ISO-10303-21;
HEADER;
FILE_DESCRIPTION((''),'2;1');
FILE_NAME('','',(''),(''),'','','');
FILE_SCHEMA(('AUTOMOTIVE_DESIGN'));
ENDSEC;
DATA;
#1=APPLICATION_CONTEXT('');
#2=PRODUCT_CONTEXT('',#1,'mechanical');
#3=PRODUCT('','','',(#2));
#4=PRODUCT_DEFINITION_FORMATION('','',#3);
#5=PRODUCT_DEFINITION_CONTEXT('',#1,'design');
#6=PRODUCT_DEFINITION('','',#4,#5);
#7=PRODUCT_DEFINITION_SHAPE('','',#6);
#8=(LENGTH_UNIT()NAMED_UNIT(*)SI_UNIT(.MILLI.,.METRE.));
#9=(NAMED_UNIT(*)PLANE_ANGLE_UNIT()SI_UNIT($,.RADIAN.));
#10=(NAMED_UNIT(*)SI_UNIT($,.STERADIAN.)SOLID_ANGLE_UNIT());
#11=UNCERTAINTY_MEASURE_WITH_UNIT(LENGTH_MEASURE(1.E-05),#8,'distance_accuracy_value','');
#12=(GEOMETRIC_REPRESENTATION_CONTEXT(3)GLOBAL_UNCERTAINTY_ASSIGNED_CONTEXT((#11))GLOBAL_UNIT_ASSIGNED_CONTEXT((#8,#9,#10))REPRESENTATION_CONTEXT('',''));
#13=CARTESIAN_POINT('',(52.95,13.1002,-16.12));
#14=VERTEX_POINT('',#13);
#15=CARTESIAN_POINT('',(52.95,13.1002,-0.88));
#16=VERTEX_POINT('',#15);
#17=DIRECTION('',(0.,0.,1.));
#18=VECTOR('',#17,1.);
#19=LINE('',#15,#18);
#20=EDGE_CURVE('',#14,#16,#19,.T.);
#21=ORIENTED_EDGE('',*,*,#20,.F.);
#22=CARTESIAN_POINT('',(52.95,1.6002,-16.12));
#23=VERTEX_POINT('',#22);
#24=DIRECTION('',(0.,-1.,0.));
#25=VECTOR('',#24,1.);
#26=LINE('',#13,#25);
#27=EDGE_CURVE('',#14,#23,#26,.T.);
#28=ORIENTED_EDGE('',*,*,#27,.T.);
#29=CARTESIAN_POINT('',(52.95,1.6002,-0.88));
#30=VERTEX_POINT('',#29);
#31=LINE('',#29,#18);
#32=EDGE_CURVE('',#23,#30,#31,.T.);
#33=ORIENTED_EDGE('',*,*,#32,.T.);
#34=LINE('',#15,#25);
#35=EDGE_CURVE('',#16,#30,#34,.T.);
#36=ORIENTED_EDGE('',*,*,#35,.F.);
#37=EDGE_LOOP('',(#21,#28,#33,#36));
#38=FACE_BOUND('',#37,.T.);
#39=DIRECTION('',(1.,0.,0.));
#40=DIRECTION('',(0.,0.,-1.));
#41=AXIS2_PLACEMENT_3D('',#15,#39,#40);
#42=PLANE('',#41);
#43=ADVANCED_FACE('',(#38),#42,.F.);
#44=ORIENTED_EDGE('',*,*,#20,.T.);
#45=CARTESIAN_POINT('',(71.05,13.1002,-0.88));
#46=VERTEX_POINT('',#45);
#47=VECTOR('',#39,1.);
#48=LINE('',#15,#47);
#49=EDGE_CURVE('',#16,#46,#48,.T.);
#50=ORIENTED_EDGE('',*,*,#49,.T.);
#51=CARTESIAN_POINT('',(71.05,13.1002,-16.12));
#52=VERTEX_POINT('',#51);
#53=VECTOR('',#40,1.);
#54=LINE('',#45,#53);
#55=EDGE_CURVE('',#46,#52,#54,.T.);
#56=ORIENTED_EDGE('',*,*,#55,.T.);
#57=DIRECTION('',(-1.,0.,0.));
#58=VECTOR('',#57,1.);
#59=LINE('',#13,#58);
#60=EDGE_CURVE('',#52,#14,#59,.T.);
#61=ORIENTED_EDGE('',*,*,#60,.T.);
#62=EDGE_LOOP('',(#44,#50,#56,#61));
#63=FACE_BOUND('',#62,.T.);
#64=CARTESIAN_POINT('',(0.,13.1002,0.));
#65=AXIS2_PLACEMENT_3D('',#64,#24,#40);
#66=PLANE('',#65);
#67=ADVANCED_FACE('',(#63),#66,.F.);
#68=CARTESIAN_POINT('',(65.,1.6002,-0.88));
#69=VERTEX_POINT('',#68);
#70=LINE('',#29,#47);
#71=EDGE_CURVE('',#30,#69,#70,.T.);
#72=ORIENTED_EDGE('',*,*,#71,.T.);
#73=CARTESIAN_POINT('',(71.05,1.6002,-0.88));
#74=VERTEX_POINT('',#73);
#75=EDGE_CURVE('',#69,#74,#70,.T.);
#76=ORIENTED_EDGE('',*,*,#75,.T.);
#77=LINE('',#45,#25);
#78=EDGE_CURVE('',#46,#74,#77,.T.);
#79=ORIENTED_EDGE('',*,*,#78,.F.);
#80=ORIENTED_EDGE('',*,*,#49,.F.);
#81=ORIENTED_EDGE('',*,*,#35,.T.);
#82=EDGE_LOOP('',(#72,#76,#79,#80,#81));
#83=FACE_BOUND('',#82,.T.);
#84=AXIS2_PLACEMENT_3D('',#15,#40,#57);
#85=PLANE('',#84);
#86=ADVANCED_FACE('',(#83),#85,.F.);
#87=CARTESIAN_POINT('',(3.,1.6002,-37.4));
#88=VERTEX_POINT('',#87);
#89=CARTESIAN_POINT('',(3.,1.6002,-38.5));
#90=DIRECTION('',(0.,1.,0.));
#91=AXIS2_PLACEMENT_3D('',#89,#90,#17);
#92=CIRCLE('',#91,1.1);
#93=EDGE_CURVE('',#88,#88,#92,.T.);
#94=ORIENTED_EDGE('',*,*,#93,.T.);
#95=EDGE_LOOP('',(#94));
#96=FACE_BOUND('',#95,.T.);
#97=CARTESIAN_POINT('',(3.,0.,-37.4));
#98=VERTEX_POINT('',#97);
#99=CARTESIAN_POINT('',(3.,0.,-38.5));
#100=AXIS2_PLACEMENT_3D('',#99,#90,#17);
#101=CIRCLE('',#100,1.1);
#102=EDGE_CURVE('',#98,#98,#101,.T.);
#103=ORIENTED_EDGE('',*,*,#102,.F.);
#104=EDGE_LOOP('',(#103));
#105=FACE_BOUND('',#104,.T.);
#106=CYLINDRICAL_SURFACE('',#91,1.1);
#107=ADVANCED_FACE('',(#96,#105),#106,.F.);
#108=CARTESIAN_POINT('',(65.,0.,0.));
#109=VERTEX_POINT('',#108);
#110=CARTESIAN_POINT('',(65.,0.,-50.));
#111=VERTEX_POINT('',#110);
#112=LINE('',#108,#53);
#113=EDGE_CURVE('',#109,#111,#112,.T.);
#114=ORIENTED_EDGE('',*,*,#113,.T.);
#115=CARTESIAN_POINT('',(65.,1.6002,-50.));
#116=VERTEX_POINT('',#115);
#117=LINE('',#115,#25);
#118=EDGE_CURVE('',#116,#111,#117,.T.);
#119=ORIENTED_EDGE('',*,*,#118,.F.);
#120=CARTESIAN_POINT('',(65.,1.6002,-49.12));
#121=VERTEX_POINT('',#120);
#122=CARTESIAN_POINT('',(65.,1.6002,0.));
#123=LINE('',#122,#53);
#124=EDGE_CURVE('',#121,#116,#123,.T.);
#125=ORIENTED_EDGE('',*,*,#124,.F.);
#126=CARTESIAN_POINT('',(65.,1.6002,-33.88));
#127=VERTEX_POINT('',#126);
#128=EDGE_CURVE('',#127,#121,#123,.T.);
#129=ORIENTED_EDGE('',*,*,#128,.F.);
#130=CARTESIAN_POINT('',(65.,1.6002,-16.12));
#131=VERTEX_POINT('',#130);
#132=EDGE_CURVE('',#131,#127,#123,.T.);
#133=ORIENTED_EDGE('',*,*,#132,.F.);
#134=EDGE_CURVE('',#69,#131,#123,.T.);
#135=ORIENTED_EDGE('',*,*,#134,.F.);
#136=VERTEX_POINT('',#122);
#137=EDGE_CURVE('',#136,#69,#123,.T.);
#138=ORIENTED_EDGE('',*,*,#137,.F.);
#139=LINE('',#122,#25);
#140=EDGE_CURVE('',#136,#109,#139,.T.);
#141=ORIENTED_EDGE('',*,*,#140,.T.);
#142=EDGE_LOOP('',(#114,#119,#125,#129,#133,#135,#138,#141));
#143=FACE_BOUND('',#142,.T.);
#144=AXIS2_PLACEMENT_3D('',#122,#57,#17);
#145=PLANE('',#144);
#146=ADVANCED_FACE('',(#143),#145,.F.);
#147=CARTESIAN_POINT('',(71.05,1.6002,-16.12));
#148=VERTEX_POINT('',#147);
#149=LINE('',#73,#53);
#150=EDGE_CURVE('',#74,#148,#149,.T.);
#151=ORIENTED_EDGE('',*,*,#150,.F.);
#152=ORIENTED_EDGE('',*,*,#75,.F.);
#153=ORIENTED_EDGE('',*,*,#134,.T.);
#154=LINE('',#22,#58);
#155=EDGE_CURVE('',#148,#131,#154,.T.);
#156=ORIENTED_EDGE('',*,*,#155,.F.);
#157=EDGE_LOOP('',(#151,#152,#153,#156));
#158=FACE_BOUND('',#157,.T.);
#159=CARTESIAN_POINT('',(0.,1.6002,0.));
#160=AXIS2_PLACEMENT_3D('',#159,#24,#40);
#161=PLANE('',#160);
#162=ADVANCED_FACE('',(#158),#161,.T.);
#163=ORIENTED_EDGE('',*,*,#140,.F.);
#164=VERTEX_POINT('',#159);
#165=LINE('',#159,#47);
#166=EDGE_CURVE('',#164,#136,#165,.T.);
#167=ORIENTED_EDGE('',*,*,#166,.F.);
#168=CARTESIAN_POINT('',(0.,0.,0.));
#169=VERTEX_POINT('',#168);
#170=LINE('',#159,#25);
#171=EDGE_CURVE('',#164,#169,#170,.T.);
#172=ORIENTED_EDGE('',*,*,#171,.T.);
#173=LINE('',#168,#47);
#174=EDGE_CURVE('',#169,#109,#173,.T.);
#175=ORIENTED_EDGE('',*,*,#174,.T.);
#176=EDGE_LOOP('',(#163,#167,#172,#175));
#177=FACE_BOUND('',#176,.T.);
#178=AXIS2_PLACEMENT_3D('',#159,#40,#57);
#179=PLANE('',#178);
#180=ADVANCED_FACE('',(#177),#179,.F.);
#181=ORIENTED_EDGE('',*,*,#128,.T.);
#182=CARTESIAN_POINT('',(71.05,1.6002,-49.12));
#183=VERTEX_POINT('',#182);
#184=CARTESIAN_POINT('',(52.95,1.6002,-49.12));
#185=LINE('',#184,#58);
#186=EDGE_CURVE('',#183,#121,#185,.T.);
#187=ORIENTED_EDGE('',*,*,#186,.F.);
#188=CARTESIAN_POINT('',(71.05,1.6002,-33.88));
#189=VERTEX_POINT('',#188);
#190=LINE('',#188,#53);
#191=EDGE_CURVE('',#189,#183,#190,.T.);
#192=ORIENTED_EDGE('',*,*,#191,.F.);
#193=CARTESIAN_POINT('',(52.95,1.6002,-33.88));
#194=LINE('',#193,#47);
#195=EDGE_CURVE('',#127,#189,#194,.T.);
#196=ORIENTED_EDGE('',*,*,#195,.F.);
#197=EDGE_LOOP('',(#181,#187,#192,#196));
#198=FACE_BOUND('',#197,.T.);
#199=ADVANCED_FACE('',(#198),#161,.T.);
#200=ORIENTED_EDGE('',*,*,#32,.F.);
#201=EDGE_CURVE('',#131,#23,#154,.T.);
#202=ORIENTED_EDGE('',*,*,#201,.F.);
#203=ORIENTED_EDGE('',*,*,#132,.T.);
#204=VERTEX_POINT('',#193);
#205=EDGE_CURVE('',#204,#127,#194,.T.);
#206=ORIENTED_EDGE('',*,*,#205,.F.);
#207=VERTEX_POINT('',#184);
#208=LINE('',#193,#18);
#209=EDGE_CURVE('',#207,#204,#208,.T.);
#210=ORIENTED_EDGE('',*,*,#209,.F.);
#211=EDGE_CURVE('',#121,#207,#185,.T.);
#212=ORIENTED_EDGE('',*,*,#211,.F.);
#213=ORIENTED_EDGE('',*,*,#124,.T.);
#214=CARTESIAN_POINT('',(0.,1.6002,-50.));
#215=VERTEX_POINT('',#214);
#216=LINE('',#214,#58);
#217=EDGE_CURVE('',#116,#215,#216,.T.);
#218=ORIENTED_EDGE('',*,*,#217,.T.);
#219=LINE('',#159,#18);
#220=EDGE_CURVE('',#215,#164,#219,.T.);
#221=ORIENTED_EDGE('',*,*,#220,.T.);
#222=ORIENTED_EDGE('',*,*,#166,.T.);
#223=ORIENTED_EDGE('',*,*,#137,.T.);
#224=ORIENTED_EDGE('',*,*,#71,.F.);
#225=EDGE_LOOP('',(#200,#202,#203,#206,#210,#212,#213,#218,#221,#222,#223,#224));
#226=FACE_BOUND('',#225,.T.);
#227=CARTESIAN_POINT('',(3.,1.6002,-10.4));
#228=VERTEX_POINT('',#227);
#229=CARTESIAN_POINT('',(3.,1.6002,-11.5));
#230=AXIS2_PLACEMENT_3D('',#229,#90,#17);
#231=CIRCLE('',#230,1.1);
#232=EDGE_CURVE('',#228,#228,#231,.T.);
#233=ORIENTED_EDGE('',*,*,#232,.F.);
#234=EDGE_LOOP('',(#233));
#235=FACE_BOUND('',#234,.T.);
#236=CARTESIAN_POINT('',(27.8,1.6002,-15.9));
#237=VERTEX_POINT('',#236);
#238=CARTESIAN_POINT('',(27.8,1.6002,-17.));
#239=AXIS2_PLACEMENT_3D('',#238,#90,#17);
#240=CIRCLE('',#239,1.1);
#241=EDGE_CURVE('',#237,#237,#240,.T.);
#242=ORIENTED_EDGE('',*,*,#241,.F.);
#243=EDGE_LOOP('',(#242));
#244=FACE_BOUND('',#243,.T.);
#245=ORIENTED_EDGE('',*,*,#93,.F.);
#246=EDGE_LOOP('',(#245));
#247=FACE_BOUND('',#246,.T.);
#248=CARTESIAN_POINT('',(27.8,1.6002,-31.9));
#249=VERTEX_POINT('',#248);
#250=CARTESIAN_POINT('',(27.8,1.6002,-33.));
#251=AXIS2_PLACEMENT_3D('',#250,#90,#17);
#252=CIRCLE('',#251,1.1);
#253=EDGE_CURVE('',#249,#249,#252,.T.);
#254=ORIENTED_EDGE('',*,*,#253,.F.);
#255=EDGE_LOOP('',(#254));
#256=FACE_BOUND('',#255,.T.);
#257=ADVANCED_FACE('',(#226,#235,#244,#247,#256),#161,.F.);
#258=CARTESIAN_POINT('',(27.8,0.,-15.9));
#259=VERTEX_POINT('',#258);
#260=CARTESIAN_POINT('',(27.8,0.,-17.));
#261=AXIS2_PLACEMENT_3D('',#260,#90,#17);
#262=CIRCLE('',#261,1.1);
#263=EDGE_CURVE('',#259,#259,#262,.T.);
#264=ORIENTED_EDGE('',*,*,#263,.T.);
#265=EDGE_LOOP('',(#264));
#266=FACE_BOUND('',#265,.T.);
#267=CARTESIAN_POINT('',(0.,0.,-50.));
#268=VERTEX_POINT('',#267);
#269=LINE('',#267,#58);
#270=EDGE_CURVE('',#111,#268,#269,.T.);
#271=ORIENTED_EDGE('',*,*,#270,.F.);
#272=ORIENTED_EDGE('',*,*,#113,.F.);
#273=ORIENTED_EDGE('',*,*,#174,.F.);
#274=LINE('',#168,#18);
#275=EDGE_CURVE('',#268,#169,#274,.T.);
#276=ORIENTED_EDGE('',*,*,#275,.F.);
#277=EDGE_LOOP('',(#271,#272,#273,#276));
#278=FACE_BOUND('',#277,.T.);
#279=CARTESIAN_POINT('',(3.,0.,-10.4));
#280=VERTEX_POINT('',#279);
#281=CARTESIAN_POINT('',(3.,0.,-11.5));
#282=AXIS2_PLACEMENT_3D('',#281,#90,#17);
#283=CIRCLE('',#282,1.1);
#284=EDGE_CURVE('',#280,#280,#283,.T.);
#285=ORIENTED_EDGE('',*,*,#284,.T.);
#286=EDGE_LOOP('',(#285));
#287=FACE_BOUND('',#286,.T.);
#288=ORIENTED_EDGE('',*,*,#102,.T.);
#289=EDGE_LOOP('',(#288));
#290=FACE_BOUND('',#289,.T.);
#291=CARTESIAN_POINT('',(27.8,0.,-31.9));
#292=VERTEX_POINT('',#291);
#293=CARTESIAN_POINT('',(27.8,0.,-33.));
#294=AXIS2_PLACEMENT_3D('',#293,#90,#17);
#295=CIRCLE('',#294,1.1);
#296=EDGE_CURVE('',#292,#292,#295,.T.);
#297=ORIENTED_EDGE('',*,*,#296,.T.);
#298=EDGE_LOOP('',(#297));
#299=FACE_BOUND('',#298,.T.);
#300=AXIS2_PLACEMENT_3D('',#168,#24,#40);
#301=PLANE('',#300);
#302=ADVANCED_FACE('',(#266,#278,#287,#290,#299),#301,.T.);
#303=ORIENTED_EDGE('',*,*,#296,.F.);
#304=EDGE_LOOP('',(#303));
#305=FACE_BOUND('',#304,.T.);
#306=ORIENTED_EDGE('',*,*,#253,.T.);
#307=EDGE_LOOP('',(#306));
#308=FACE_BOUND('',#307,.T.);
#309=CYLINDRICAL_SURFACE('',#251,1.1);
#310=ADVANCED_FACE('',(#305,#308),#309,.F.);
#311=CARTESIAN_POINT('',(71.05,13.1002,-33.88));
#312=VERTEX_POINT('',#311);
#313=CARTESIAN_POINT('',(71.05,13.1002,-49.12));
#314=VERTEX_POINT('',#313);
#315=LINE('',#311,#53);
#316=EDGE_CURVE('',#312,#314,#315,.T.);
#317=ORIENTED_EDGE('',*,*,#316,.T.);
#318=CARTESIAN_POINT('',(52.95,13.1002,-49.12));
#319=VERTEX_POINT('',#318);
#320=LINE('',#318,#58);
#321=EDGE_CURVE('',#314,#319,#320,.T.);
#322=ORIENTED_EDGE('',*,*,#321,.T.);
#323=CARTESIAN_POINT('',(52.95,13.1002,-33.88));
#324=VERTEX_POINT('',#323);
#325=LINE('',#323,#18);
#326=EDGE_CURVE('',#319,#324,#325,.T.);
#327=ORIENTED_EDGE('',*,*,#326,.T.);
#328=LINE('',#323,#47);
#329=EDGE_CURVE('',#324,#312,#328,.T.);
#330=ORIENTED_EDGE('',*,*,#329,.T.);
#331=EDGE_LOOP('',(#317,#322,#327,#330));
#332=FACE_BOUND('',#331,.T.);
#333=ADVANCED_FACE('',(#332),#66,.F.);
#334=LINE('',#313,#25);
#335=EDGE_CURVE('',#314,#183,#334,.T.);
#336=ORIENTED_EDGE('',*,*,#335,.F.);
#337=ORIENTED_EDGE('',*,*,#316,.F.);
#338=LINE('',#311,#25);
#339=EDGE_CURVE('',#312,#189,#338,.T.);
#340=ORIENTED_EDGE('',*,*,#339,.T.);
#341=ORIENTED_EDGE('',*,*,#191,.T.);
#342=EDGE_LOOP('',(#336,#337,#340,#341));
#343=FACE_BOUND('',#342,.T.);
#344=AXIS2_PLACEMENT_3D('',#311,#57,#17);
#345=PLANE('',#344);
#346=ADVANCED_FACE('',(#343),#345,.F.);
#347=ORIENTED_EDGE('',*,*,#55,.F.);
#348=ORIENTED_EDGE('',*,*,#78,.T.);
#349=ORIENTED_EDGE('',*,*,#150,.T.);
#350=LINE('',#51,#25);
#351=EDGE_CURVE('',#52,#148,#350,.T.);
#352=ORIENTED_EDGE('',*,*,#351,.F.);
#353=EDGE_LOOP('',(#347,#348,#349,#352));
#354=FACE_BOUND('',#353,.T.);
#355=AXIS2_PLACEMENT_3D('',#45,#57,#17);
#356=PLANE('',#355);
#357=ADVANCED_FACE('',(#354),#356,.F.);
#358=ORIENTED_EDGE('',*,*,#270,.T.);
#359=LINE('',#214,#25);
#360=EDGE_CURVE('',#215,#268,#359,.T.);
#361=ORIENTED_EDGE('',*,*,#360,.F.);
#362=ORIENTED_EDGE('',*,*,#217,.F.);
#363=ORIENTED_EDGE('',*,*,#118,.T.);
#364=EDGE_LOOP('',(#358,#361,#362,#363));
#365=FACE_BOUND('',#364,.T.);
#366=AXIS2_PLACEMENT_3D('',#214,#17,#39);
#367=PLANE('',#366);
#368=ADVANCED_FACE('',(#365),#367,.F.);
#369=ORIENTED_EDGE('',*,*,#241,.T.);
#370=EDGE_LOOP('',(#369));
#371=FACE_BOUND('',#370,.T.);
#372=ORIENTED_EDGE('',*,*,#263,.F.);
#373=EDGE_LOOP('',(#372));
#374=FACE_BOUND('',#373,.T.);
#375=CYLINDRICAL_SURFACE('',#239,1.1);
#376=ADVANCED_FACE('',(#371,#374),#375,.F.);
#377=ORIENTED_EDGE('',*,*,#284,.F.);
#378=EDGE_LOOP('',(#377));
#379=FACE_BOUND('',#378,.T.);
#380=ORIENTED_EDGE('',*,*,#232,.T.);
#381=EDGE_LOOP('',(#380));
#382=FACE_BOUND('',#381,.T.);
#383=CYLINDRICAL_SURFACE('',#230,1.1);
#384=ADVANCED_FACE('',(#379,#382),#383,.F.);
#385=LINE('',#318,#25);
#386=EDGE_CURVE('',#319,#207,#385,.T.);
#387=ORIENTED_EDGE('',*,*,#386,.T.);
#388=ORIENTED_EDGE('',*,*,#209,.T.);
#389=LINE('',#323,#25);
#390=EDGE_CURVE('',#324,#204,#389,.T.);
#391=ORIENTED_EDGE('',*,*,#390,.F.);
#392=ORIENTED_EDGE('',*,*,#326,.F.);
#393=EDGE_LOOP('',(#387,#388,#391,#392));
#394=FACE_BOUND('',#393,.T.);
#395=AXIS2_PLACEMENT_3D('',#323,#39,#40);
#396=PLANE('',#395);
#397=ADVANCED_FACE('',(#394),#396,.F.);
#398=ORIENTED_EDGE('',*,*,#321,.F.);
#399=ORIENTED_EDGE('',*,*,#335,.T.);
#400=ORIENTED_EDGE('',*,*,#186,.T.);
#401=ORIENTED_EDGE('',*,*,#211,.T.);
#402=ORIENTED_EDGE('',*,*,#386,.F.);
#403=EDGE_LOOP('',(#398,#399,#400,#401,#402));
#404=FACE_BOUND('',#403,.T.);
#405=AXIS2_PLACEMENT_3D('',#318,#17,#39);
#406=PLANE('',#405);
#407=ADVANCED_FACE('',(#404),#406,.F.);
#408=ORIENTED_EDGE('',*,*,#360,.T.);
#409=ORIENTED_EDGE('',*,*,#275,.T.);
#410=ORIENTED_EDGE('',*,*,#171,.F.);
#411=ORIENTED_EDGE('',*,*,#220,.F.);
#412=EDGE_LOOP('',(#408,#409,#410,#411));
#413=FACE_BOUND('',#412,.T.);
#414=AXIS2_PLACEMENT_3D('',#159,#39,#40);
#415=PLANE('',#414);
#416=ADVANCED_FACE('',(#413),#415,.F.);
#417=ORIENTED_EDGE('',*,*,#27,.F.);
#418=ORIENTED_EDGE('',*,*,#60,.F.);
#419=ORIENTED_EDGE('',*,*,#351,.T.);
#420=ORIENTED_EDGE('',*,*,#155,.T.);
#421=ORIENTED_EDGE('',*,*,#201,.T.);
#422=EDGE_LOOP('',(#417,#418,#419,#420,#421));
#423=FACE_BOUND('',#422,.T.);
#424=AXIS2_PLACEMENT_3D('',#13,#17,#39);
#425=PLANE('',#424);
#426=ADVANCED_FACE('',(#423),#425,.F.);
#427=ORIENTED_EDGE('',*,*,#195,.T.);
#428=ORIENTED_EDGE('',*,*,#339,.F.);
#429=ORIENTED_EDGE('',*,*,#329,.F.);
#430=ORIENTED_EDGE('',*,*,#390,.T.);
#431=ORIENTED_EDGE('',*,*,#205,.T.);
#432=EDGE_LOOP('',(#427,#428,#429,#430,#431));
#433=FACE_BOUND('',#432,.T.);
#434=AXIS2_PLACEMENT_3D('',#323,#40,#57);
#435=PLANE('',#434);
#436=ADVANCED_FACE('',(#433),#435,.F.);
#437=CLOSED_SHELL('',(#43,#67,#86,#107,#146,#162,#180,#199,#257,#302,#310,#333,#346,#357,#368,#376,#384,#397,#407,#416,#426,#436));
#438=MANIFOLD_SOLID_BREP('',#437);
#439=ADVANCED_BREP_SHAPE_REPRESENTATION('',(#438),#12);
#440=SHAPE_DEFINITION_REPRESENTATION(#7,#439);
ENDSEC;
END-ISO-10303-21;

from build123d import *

# Parameters (mm, degrees)
SKETCH1_W             = 65
SKETCH1_H             = 50
BOSS_EXTRUDE1_DEPTH   = 1.6002
F_2_5MM_DOWEL_HOLE1_D = 2.2
SKETCH4_W             = 18.1
SKETCH4_H             = 15.24
BOSS_EXTRUDE2_DEPTH   = 11.5


with BuildPart() as part:
    # Sketch1 → Boss-Extrude1 (new body)
    with BuildSketch(Plane(origin=(0, 0, 0), x_dir=(1, 0, 0), z_dir=(0, 1, 0))):
        with Locations((32.5, 25)):
            Rectangle(SKETCH1_W, SKETCH1_H)
    extrude(amount=BOSS_EXTRUDE1_DEPTH)

    # Ø2.5mm Dowel Hole1 (through all)
    with Locations(Plane(origin=(0, 1.6002, 0), x_dir=(1, 0, 0), z_dir=(0, 1, 0))):
        with Locations((3, 11.5), (3, 38.5), (27.8, 17), (27.8, 33)):
            Hole(F_2_5MM_DOWEL_HOLE1_D / 2)

    # Sketch4 → Boss-Extrude2 (add)
    with BuildSketch(Plane(origin=(0, 1.6002, 0), x_dir=(1, 0, 0), z_dir=(0, 1, 0))):
        with Locations((62, 41.5)):
            Rectangle(SKETCH4_W, SKETCH4_H)
        with Locations((62, 8.5)):
            Rectangle(SKETCH4_W, SKETCH4_H)
    extrude(amount=BOSS_EXTRUDE2_DEPTH)


solid = part.part
